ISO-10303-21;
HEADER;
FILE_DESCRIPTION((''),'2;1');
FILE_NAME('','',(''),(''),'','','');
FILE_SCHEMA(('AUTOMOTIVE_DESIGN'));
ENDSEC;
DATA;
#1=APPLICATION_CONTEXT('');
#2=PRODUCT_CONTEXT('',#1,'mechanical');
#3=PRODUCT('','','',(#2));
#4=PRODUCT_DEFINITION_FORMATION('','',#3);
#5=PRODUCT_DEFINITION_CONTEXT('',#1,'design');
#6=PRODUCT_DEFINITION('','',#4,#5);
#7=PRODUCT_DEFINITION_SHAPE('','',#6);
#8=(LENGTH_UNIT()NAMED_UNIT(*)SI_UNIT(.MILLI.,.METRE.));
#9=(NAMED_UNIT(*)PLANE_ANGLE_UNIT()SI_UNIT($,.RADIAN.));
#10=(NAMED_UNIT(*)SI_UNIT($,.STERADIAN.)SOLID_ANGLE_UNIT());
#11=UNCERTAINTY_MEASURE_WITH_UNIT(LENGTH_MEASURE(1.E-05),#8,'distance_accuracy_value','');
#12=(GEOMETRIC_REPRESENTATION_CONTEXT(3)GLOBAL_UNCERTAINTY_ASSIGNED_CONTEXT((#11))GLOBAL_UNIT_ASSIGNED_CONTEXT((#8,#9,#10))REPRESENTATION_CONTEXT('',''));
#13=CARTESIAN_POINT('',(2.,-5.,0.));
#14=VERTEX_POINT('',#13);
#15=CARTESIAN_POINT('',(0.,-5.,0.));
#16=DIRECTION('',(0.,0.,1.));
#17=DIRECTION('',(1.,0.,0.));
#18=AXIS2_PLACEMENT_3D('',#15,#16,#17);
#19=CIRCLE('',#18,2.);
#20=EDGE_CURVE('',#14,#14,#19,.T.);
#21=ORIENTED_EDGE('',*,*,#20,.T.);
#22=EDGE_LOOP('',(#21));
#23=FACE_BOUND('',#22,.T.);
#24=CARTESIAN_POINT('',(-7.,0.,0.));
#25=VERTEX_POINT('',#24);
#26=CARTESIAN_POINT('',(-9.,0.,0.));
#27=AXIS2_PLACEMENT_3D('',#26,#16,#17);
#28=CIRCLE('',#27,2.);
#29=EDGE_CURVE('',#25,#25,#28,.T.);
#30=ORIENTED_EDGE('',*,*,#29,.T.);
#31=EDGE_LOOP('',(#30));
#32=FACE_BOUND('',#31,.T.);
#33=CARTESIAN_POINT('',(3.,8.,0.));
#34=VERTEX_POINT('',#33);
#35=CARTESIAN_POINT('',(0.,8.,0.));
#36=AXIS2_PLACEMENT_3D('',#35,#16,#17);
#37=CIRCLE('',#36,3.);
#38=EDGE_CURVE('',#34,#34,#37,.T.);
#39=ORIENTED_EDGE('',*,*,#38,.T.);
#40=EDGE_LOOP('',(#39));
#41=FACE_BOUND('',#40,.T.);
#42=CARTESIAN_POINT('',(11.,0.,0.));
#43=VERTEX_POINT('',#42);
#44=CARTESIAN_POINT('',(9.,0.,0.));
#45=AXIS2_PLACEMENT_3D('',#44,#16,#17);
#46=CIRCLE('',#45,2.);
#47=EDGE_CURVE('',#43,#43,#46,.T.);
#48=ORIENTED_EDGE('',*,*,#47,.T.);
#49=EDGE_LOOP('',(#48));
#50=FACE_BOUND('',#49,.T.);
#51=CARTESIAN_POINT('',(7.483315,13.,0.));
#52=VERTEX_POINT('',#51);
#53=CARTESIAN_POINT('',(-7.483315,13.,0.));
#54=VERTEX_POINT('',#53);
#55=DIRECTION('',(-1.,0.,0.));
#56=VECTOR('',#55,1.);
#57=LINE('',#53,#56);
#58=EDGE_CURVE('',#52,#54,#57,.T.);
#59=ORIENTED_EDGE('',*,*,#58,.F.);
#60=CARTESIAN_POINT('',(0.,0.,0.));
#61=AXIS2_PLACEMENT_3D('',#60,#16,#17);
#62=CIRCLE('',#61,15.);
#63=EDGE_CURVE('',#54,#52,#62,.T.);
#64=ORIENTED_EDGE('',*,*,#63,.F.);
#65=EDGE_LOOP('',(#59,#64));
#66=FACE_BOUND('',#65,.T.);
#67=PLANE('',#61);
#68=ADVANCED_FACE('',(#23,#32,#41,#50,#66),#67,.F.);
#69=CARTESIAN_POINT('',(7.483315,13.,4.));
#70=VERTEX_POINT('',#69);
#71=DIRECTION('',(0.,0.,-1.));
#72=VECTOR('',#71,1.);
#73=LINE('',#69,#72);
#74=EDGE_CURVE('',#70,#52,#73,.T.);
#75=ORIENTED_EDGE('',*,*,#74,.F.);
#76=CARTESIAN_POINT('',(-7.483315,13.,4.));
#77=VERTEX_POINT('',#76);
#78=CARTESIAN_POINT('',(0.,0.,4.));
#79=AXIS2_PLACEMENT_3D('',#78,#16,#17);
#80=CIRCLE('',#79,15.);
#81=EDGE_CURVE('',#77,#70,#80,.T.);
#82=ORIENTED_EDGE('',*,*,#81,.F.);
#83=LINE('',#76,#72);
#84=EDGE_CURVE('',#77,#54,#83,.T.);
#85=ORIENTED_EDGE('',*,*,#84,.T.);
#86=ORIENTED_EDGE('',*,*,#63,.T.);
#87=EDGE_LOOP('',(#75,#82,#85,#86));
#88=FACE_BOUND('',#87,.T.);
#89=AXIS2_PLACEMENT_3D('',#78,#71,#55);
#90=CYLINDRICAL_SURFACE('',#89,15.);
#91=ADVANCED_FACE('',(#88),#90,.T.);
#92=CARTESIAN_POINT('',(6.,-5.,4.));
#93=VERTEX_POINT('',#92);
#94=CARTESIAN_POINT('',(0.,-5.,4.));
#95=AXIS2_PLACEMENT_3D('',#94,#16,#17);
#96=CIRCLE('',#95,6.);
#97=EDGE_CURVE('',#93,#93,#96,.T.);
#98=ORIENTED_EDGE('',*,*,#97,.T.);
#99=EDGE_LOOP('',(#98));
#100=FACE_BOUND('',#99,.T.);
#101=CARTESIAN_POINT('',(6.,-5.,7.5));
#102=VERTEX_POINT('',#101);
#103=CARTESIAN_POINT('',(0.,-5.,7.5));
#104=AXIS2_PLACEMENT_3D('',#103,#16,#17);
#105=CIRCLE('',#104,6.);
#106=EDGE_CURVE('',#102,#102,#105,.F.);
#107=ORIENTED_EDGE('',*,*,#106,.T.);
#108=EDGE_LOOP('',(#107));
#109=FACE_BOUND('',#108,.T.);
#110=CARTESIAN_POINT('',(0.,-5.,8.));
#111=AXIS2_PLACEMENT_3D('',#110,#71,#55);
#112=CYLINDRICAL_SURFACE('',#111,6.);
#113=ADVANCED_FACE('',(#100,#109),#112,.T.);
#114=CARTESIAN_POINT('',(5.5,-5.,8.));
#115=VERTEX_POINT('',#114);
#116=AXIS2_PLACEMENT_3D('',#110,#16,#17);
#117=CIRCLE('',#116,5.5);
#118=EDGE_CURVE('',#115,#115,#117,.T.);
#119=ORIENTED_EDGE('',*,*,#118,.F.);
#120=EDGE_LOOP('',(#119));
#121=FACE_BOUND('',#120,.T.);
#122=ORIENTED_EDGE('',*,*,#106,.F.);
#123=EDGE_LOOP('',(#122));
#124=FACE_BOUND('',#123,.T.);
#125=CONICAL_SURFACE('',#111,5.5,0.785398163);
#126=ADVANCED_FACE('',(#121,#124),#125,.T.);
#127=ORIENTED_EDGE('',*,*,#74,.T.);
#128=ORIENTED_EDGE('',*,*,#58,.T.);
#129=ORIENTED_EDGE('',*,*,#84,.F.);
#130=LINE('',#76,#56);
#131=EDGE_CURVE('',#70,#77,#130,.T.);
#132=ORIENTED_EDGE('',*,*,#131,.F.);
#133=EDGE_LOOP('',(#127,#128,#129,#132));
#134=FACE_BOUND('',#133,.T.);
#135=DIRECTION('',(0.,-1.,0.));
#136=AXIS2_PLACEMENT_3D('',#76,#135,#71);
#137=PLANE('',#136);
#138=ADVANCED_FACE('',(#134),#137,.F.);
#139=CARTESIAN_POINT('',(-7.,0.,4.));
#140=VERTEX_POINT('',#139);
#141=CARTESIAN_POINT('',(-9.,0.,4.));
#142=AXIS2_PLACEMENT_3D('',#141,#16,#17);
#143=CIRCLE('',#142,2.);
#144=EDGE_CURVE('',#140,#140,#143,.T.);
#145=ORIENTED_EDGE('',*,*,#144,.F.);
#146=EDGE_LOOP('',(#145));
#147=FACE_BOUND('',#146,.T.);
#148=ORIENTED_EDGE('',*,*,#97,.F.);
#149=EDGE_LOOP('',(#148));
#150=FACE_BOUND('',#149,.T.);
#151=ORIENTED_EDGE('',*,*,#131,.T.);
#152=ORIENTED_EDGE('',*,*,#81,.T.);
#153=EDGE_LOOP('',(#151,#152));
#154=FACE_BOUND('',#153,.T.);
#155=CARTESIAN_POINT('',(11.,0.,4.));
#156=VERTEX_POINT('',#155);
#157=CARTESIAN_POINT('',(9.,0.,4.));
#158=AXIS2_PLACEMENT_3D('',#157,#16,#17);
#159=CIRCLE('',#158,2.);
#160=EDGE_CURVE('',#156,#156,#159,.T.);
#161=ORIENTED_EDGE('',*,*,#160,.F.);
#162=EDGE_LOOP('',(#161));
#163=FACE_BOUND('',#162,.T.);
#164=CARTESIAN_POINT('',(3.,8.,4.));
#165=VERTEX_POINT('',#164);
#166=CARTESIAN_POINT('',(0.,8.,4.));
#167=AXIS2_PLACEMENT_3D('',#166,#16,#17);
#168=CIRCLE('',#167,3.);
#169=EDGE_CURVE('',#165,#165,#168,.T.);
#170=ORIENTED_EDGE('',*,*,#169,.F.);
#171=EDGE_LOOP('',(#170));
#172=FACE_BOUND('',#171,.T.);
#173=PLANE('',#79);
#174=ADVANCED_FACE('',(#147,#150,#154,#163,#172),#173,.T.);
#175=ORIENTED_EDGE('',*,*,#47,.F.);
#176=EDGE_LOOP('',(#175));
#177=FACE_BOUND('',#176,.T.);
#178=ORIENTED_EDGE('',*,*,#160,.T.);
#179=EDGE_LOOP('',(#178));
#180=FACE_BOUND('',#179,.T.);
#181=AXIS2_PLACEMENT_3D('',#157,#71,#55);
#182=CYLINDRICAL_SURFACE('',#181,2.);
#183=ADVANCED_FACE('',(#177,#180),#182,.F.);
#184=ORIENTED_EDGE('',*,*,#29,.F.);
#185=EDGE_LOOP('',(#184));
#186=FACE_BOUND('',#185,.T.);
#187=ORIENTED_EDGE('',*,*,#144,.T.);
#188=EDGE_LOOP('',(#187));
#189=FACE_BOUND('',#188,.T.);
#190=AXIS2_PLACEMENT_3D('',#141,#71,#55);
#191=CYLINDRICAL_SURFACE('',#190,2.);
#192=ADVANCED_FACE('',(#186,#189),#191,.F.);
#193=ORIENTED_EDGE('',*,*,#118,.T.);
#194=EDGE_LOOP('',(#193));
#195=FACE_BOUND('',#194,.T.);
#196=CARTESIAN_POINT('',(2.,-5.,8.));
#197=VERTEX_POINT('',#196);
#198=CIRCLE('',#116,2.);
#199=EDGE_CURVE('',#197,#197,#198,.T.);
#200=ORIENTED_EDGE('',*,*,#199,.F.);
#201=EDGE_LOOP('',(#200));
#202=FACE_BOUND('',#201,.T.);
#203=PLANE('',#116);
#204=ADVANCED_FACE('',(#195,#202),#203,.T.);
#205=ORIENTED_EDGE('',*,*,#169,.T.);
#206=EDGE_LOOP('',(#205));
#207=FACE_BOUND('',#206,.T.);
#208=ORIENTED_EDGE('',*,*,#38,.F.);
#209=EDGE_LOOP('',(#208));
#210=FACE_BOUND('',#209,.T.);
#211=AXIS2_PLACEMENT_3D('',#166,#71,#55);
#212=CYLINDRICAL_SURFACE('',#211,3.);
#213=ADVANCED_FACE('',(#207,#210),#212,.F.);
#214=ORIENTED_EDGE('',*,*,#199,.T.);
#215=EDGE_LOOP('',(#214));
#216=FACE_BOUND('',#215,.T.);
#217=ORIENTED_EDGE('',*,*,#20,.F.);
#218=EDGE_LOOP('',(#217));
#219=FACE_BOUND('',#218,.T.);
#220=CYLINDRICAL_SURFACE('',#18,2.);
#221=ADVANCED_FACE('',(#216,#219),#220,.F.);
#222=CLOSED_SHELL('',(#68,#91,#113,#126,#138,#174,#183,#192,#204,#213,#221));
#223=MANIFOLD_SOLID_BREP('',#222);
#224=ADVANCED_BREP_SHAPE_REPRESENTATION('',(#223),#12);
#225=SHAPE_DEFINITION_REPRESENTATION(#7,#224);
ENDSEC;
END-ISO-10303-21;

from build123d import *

# Parameters (mm, degrees)
SKETCH2_R           = 3
SKETCH2_R_2         = 2
BOSS_EXTRUDE1_DEPTH = 4
SKETCH3_R           = 6
BOSS_EXTRUDE2_DEPTH = 4
CHAMFER1_SIZE       = 0.5
SKETCH4_R           = 2
CUT_EXTRUDE1_DEPTH  = 9


with BuildPart() as part:
    # Sketch2 → Boss-Extrude1 (new body)
    with BuildSketch(Plane.XY):
        with BuildLine():
            Line((-7.483314774, 13), (7.483314774, 13))
            ThreePointArc((7.483314774, 13), (0, -15), (-7.483314774, 13))
        make_face()
        with Locations((0, 8)):
            Circle(SKETCH2_R, mode=Mode.SUBTRACT)
        with Locations((9, 0)):
            Circle(SKETCH2_R_2, mode=Mode.SUBTRACT)
        with Locations((-9, 0)):
            Circle(SKETCH2_R_2, mode=Mode.SUBTRACT)
    extrude(amount=BOSS_EXTRUDE1_DEPTH)

    # Sketch3 → Boss-Extrude2 (add)
    with BuildSketch(Plane.XY.offset(4)):
        with Locations((0, -5)):
            Circle(SKETCH3_R)
    extrude(amount=BOSS_EXTRUDE2_DEPTH)

    # Chamfer1
    chamfer1_edges = [part.edges().sort_by_distance(p)[0] for p in [
        (-6, -5, 8),
    ]]
    chamfer(chamfer1_edges, length=CHAMFER1_SIZE)

    # Sketch4 → Cut-Extrude1 (cut, through all)
    with BuildSketch(Plane.XY.offset(8)):
        with Locations((0, -5)):
            Circle(SKETCH4_R)
    extrude(amount=-CUT_EXTRUDE1_DEPTH, mode=Mode.SUBTRACT)


solid = part.part
